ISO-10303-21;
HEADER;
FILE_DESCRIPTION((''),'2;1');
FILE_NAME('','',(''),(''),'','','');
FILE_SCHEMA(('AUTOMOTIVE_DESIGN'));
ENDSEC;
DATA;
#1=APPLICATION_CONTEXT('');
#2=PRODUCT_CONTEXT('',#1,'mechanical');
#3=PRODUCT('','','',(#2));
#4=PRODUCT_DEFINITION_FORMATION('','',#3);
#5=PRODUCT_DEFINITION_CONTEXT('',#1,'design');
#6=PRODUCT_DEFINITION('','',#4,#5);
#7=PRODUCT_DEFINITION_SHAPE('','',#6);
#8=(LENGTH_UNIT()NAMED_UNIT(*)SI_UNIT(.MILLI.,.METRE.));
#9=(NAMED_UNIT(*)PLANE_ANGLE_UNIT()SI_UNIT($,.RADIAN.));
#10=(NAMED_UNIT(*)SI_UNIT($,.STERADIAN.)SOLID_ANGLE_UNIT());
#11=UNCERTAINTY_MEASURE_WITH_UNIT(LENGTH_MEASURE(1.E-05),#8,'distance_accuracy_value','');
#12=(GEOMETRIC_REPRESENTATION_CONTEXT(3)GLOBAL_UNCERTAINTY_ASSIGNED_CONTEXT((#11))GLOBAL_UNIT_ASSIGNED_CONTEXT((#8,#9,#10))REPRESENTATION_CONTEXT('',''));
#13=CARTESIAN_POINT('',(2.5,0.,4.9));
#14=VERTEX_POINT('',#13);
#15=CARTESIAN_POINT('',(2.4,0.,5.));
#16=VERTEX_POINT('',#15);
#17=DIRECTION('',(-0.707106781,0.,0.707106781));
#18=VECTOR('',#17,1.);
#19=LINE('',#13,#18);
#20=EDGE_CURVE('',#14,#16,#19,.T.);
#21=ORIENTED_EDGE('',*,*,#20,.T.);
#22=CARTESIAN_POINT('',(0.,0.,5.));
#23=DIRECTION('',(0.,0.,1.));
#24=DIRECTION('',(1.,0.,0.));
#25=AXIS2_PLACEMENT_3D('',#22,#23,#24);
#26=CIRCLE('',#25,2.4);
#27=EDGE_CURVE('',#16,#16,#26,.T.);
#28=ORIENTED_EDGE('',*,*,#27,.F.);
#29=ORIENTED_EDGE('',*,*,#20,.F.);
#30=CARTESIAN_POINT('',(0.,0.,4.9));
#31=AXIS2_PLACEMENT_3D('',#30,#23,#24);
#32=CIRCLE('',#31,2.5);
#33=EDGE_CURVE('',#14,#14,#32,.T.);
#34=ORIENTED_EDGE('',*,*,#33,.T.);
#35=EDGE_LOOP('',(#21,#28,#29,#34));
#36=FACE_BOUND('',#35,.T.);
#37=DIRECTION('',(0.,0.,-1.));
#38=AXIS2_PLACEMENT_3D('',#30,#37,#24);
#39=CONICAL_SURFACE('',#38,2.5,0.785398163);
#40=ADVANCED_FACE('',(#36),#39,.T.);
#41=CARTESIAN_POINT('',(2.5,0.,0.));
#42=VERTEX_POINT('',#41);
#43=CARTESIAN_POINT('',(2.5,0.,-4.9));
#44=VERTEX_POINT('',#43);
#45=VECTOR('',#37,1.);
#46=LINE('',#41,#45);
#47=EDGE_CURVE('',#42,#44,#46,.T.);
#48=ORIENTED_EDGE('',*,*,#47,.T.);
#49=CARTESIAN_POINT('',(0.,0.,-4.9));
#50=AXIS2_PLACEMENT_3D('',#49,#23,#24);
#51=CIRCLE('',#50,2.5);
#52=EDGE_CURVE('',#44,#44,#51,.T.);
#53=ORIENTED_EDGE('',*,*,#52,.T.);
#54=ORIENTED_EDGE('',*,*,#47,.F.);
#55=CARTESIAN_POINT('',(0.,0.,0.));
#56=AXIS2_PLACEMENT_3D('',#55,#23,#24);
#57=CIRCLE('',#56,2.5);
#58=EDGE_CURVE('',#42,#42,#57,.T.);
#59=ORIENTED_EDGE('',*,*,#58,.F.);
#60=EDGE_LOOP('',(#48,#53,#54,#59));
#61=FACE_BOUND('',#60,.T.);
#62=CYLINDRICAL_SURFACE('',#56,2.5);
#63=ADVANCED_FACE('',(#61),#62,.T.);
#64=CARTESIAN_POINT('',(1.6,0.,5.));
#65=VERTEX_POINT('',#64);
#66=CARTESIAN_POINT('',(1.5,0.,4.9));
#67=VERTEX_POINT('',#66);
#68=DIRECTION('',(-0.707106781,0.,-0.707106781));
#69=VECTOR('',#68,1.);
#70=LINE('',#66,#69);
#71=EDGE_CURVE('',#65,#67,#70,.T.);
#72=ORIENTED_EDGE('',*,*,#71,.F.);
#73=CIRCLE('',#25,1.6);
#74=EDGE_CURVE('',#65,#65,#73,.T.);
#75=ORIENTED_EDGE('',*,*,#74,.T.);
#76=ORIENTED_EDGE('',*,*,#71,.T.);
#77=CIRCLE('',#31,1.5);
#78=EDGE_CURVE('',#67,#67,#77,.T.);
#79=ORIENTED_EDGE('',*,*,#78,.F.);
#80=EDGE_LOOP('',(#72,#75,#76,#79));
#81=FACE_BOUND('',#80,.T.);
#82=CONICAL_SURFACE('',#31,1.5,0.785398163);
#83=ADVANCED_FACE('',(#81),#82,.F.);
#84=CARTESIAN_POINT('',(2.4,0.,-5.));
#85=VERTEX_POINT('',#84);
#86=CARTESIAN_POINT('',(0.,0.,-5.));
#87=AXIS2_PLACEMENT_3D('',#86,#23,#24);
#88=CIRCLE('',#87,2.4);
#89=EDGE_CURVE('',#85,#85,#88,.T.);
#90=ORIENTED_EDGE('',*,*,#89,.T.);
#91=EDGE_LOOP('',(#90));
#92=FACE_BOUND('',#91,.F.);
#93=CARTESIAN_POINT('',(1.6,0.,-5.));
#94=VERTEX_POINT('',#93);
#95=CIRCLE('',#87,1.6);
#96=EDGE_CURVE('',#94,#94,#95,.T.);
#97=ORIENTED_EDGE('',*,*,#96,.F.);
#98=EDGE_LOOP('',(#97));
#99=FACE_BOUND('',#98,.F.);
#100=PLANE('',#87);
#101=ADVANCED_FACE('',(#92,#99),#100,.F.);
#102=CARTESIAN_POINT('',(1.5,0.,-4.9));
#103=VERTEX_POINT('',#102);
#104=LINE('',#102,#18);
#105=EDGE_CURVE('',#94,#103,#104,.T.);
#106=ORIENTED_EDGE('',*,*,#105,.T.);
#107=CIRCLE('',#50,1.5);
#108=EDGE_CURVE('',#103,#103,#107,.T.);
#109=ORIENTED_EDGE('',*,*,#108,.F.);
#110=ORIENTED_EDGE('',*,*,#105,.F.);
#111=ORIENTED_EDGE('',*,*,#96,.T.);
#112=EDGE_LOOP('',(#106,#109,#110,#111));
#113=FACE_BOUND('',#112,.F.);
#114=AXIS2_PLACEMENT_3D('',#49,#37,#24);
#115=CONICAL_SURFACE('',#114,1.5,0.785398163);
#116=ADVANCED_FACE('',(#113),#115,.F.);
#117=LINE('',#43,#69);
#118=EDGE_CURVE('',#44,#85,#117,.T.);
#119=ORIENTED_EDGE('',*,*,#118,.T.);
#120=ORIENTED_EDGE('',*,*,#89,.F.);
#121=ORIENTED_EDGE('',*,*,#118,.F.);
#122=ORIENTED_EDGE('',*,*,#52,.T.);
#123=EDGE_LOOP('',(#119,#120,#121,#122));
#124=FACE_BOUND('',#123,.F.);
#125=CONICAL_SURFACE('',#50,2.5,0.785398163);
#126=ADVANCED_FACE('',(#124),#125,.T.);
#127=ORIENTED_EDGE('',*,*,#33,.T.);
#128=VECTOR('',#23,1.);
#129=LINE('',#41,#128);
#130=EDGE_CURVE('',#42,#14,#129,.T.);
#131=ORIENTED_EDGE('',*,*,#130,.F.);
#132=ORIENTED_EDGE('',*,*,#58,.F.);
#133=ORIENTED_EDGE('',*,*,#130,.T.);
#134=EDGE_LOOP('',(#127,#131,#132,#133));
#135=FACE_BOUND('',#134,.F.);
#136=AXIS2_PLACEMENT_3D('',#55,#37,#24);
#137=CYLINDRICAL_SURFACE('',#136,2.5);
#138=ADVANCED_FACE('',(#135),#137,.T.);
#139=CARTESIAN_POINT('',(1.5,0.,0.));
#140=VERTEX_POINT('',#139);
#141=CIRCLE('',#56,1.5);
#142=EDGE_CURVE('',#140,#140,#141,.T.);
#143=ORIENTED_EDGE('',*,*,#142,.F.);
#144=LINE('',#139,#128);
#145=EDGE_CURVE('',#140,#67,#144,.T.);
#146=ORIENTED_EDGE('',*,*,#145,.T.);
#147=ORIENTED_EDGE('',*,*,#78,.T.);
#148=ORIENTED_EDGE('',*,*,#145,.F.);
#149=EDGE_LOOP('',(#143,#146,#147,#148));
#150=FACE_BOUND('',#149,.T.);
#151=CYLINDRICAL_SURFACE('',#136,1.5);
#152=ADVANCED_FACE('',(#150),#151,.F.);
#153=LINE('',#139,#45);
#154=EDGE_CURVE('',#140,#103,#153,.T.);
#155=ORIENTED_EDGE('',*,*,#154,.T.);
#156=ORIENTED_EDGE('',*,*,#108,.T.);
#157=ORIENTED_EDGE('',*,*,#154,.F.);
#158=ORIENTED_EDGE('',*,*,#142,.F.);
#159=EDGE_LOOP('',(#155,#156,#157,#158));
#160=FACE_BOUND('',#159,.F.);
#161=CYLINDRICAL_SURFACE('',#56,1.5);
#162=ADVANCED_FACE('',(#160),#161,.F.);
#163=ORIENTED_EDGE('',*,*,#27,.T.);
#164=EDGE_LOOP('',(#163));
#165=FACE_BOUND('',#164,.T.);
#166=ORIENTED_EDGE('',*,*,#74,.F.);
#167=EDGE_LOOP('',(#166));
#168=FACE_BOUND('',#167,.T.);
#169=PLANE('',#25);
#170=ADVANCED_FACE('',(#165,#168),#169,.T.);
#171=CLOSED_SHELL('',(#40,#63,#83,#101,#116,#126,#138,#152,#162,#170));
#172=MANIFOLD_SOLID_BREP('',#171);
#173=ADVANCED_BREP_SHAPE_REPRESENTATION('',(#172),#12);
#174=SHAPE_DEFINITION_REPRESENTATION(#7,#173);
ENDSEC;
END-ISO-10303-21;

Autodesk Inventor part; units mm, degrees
ref_plane "YZ Plane" through (0, 0, 0) normal (1, 0, 0) x (0, 1, 0)
ref_plane "XZ Plane" through (0, 0, 0) normal (0, 1, 0) x (-1, 0, 0)
ref_plane "XY Plane" through (0, 0, 0) normal (0, 0, 1) x (1, 0, 0)
sketch "Sketch1" plane through (0, 0, 0) normal (0, 0, 1) x (1, 0, 0)
  circle A0 centre (0, 0) radius 2.5
  circle A1 centre (0, 0) radius 1.5
  dimension "d0" = 5
  dimension "d1" = 3
extrude "Extrusion1" add sketch "Sketch1" along normal mid plane 10
thread "Thread1" size "M3x0.5" class "6H" standard "ANSI Metric M Profile" length 10
thread "Thread2" size "M3x0.5" class "6H" standard "ANSI Metric M Profile" length 10
chamfer "Chamfer1" distance 0.1 angle 45 4 edges at (-2.5, 0, 5) (-1.5, 0, 5) (-1.5, 0, -5) (-2.5, 0, -5)
properties part number "M3 10mm Standoff" material "Aluminum 6061"
